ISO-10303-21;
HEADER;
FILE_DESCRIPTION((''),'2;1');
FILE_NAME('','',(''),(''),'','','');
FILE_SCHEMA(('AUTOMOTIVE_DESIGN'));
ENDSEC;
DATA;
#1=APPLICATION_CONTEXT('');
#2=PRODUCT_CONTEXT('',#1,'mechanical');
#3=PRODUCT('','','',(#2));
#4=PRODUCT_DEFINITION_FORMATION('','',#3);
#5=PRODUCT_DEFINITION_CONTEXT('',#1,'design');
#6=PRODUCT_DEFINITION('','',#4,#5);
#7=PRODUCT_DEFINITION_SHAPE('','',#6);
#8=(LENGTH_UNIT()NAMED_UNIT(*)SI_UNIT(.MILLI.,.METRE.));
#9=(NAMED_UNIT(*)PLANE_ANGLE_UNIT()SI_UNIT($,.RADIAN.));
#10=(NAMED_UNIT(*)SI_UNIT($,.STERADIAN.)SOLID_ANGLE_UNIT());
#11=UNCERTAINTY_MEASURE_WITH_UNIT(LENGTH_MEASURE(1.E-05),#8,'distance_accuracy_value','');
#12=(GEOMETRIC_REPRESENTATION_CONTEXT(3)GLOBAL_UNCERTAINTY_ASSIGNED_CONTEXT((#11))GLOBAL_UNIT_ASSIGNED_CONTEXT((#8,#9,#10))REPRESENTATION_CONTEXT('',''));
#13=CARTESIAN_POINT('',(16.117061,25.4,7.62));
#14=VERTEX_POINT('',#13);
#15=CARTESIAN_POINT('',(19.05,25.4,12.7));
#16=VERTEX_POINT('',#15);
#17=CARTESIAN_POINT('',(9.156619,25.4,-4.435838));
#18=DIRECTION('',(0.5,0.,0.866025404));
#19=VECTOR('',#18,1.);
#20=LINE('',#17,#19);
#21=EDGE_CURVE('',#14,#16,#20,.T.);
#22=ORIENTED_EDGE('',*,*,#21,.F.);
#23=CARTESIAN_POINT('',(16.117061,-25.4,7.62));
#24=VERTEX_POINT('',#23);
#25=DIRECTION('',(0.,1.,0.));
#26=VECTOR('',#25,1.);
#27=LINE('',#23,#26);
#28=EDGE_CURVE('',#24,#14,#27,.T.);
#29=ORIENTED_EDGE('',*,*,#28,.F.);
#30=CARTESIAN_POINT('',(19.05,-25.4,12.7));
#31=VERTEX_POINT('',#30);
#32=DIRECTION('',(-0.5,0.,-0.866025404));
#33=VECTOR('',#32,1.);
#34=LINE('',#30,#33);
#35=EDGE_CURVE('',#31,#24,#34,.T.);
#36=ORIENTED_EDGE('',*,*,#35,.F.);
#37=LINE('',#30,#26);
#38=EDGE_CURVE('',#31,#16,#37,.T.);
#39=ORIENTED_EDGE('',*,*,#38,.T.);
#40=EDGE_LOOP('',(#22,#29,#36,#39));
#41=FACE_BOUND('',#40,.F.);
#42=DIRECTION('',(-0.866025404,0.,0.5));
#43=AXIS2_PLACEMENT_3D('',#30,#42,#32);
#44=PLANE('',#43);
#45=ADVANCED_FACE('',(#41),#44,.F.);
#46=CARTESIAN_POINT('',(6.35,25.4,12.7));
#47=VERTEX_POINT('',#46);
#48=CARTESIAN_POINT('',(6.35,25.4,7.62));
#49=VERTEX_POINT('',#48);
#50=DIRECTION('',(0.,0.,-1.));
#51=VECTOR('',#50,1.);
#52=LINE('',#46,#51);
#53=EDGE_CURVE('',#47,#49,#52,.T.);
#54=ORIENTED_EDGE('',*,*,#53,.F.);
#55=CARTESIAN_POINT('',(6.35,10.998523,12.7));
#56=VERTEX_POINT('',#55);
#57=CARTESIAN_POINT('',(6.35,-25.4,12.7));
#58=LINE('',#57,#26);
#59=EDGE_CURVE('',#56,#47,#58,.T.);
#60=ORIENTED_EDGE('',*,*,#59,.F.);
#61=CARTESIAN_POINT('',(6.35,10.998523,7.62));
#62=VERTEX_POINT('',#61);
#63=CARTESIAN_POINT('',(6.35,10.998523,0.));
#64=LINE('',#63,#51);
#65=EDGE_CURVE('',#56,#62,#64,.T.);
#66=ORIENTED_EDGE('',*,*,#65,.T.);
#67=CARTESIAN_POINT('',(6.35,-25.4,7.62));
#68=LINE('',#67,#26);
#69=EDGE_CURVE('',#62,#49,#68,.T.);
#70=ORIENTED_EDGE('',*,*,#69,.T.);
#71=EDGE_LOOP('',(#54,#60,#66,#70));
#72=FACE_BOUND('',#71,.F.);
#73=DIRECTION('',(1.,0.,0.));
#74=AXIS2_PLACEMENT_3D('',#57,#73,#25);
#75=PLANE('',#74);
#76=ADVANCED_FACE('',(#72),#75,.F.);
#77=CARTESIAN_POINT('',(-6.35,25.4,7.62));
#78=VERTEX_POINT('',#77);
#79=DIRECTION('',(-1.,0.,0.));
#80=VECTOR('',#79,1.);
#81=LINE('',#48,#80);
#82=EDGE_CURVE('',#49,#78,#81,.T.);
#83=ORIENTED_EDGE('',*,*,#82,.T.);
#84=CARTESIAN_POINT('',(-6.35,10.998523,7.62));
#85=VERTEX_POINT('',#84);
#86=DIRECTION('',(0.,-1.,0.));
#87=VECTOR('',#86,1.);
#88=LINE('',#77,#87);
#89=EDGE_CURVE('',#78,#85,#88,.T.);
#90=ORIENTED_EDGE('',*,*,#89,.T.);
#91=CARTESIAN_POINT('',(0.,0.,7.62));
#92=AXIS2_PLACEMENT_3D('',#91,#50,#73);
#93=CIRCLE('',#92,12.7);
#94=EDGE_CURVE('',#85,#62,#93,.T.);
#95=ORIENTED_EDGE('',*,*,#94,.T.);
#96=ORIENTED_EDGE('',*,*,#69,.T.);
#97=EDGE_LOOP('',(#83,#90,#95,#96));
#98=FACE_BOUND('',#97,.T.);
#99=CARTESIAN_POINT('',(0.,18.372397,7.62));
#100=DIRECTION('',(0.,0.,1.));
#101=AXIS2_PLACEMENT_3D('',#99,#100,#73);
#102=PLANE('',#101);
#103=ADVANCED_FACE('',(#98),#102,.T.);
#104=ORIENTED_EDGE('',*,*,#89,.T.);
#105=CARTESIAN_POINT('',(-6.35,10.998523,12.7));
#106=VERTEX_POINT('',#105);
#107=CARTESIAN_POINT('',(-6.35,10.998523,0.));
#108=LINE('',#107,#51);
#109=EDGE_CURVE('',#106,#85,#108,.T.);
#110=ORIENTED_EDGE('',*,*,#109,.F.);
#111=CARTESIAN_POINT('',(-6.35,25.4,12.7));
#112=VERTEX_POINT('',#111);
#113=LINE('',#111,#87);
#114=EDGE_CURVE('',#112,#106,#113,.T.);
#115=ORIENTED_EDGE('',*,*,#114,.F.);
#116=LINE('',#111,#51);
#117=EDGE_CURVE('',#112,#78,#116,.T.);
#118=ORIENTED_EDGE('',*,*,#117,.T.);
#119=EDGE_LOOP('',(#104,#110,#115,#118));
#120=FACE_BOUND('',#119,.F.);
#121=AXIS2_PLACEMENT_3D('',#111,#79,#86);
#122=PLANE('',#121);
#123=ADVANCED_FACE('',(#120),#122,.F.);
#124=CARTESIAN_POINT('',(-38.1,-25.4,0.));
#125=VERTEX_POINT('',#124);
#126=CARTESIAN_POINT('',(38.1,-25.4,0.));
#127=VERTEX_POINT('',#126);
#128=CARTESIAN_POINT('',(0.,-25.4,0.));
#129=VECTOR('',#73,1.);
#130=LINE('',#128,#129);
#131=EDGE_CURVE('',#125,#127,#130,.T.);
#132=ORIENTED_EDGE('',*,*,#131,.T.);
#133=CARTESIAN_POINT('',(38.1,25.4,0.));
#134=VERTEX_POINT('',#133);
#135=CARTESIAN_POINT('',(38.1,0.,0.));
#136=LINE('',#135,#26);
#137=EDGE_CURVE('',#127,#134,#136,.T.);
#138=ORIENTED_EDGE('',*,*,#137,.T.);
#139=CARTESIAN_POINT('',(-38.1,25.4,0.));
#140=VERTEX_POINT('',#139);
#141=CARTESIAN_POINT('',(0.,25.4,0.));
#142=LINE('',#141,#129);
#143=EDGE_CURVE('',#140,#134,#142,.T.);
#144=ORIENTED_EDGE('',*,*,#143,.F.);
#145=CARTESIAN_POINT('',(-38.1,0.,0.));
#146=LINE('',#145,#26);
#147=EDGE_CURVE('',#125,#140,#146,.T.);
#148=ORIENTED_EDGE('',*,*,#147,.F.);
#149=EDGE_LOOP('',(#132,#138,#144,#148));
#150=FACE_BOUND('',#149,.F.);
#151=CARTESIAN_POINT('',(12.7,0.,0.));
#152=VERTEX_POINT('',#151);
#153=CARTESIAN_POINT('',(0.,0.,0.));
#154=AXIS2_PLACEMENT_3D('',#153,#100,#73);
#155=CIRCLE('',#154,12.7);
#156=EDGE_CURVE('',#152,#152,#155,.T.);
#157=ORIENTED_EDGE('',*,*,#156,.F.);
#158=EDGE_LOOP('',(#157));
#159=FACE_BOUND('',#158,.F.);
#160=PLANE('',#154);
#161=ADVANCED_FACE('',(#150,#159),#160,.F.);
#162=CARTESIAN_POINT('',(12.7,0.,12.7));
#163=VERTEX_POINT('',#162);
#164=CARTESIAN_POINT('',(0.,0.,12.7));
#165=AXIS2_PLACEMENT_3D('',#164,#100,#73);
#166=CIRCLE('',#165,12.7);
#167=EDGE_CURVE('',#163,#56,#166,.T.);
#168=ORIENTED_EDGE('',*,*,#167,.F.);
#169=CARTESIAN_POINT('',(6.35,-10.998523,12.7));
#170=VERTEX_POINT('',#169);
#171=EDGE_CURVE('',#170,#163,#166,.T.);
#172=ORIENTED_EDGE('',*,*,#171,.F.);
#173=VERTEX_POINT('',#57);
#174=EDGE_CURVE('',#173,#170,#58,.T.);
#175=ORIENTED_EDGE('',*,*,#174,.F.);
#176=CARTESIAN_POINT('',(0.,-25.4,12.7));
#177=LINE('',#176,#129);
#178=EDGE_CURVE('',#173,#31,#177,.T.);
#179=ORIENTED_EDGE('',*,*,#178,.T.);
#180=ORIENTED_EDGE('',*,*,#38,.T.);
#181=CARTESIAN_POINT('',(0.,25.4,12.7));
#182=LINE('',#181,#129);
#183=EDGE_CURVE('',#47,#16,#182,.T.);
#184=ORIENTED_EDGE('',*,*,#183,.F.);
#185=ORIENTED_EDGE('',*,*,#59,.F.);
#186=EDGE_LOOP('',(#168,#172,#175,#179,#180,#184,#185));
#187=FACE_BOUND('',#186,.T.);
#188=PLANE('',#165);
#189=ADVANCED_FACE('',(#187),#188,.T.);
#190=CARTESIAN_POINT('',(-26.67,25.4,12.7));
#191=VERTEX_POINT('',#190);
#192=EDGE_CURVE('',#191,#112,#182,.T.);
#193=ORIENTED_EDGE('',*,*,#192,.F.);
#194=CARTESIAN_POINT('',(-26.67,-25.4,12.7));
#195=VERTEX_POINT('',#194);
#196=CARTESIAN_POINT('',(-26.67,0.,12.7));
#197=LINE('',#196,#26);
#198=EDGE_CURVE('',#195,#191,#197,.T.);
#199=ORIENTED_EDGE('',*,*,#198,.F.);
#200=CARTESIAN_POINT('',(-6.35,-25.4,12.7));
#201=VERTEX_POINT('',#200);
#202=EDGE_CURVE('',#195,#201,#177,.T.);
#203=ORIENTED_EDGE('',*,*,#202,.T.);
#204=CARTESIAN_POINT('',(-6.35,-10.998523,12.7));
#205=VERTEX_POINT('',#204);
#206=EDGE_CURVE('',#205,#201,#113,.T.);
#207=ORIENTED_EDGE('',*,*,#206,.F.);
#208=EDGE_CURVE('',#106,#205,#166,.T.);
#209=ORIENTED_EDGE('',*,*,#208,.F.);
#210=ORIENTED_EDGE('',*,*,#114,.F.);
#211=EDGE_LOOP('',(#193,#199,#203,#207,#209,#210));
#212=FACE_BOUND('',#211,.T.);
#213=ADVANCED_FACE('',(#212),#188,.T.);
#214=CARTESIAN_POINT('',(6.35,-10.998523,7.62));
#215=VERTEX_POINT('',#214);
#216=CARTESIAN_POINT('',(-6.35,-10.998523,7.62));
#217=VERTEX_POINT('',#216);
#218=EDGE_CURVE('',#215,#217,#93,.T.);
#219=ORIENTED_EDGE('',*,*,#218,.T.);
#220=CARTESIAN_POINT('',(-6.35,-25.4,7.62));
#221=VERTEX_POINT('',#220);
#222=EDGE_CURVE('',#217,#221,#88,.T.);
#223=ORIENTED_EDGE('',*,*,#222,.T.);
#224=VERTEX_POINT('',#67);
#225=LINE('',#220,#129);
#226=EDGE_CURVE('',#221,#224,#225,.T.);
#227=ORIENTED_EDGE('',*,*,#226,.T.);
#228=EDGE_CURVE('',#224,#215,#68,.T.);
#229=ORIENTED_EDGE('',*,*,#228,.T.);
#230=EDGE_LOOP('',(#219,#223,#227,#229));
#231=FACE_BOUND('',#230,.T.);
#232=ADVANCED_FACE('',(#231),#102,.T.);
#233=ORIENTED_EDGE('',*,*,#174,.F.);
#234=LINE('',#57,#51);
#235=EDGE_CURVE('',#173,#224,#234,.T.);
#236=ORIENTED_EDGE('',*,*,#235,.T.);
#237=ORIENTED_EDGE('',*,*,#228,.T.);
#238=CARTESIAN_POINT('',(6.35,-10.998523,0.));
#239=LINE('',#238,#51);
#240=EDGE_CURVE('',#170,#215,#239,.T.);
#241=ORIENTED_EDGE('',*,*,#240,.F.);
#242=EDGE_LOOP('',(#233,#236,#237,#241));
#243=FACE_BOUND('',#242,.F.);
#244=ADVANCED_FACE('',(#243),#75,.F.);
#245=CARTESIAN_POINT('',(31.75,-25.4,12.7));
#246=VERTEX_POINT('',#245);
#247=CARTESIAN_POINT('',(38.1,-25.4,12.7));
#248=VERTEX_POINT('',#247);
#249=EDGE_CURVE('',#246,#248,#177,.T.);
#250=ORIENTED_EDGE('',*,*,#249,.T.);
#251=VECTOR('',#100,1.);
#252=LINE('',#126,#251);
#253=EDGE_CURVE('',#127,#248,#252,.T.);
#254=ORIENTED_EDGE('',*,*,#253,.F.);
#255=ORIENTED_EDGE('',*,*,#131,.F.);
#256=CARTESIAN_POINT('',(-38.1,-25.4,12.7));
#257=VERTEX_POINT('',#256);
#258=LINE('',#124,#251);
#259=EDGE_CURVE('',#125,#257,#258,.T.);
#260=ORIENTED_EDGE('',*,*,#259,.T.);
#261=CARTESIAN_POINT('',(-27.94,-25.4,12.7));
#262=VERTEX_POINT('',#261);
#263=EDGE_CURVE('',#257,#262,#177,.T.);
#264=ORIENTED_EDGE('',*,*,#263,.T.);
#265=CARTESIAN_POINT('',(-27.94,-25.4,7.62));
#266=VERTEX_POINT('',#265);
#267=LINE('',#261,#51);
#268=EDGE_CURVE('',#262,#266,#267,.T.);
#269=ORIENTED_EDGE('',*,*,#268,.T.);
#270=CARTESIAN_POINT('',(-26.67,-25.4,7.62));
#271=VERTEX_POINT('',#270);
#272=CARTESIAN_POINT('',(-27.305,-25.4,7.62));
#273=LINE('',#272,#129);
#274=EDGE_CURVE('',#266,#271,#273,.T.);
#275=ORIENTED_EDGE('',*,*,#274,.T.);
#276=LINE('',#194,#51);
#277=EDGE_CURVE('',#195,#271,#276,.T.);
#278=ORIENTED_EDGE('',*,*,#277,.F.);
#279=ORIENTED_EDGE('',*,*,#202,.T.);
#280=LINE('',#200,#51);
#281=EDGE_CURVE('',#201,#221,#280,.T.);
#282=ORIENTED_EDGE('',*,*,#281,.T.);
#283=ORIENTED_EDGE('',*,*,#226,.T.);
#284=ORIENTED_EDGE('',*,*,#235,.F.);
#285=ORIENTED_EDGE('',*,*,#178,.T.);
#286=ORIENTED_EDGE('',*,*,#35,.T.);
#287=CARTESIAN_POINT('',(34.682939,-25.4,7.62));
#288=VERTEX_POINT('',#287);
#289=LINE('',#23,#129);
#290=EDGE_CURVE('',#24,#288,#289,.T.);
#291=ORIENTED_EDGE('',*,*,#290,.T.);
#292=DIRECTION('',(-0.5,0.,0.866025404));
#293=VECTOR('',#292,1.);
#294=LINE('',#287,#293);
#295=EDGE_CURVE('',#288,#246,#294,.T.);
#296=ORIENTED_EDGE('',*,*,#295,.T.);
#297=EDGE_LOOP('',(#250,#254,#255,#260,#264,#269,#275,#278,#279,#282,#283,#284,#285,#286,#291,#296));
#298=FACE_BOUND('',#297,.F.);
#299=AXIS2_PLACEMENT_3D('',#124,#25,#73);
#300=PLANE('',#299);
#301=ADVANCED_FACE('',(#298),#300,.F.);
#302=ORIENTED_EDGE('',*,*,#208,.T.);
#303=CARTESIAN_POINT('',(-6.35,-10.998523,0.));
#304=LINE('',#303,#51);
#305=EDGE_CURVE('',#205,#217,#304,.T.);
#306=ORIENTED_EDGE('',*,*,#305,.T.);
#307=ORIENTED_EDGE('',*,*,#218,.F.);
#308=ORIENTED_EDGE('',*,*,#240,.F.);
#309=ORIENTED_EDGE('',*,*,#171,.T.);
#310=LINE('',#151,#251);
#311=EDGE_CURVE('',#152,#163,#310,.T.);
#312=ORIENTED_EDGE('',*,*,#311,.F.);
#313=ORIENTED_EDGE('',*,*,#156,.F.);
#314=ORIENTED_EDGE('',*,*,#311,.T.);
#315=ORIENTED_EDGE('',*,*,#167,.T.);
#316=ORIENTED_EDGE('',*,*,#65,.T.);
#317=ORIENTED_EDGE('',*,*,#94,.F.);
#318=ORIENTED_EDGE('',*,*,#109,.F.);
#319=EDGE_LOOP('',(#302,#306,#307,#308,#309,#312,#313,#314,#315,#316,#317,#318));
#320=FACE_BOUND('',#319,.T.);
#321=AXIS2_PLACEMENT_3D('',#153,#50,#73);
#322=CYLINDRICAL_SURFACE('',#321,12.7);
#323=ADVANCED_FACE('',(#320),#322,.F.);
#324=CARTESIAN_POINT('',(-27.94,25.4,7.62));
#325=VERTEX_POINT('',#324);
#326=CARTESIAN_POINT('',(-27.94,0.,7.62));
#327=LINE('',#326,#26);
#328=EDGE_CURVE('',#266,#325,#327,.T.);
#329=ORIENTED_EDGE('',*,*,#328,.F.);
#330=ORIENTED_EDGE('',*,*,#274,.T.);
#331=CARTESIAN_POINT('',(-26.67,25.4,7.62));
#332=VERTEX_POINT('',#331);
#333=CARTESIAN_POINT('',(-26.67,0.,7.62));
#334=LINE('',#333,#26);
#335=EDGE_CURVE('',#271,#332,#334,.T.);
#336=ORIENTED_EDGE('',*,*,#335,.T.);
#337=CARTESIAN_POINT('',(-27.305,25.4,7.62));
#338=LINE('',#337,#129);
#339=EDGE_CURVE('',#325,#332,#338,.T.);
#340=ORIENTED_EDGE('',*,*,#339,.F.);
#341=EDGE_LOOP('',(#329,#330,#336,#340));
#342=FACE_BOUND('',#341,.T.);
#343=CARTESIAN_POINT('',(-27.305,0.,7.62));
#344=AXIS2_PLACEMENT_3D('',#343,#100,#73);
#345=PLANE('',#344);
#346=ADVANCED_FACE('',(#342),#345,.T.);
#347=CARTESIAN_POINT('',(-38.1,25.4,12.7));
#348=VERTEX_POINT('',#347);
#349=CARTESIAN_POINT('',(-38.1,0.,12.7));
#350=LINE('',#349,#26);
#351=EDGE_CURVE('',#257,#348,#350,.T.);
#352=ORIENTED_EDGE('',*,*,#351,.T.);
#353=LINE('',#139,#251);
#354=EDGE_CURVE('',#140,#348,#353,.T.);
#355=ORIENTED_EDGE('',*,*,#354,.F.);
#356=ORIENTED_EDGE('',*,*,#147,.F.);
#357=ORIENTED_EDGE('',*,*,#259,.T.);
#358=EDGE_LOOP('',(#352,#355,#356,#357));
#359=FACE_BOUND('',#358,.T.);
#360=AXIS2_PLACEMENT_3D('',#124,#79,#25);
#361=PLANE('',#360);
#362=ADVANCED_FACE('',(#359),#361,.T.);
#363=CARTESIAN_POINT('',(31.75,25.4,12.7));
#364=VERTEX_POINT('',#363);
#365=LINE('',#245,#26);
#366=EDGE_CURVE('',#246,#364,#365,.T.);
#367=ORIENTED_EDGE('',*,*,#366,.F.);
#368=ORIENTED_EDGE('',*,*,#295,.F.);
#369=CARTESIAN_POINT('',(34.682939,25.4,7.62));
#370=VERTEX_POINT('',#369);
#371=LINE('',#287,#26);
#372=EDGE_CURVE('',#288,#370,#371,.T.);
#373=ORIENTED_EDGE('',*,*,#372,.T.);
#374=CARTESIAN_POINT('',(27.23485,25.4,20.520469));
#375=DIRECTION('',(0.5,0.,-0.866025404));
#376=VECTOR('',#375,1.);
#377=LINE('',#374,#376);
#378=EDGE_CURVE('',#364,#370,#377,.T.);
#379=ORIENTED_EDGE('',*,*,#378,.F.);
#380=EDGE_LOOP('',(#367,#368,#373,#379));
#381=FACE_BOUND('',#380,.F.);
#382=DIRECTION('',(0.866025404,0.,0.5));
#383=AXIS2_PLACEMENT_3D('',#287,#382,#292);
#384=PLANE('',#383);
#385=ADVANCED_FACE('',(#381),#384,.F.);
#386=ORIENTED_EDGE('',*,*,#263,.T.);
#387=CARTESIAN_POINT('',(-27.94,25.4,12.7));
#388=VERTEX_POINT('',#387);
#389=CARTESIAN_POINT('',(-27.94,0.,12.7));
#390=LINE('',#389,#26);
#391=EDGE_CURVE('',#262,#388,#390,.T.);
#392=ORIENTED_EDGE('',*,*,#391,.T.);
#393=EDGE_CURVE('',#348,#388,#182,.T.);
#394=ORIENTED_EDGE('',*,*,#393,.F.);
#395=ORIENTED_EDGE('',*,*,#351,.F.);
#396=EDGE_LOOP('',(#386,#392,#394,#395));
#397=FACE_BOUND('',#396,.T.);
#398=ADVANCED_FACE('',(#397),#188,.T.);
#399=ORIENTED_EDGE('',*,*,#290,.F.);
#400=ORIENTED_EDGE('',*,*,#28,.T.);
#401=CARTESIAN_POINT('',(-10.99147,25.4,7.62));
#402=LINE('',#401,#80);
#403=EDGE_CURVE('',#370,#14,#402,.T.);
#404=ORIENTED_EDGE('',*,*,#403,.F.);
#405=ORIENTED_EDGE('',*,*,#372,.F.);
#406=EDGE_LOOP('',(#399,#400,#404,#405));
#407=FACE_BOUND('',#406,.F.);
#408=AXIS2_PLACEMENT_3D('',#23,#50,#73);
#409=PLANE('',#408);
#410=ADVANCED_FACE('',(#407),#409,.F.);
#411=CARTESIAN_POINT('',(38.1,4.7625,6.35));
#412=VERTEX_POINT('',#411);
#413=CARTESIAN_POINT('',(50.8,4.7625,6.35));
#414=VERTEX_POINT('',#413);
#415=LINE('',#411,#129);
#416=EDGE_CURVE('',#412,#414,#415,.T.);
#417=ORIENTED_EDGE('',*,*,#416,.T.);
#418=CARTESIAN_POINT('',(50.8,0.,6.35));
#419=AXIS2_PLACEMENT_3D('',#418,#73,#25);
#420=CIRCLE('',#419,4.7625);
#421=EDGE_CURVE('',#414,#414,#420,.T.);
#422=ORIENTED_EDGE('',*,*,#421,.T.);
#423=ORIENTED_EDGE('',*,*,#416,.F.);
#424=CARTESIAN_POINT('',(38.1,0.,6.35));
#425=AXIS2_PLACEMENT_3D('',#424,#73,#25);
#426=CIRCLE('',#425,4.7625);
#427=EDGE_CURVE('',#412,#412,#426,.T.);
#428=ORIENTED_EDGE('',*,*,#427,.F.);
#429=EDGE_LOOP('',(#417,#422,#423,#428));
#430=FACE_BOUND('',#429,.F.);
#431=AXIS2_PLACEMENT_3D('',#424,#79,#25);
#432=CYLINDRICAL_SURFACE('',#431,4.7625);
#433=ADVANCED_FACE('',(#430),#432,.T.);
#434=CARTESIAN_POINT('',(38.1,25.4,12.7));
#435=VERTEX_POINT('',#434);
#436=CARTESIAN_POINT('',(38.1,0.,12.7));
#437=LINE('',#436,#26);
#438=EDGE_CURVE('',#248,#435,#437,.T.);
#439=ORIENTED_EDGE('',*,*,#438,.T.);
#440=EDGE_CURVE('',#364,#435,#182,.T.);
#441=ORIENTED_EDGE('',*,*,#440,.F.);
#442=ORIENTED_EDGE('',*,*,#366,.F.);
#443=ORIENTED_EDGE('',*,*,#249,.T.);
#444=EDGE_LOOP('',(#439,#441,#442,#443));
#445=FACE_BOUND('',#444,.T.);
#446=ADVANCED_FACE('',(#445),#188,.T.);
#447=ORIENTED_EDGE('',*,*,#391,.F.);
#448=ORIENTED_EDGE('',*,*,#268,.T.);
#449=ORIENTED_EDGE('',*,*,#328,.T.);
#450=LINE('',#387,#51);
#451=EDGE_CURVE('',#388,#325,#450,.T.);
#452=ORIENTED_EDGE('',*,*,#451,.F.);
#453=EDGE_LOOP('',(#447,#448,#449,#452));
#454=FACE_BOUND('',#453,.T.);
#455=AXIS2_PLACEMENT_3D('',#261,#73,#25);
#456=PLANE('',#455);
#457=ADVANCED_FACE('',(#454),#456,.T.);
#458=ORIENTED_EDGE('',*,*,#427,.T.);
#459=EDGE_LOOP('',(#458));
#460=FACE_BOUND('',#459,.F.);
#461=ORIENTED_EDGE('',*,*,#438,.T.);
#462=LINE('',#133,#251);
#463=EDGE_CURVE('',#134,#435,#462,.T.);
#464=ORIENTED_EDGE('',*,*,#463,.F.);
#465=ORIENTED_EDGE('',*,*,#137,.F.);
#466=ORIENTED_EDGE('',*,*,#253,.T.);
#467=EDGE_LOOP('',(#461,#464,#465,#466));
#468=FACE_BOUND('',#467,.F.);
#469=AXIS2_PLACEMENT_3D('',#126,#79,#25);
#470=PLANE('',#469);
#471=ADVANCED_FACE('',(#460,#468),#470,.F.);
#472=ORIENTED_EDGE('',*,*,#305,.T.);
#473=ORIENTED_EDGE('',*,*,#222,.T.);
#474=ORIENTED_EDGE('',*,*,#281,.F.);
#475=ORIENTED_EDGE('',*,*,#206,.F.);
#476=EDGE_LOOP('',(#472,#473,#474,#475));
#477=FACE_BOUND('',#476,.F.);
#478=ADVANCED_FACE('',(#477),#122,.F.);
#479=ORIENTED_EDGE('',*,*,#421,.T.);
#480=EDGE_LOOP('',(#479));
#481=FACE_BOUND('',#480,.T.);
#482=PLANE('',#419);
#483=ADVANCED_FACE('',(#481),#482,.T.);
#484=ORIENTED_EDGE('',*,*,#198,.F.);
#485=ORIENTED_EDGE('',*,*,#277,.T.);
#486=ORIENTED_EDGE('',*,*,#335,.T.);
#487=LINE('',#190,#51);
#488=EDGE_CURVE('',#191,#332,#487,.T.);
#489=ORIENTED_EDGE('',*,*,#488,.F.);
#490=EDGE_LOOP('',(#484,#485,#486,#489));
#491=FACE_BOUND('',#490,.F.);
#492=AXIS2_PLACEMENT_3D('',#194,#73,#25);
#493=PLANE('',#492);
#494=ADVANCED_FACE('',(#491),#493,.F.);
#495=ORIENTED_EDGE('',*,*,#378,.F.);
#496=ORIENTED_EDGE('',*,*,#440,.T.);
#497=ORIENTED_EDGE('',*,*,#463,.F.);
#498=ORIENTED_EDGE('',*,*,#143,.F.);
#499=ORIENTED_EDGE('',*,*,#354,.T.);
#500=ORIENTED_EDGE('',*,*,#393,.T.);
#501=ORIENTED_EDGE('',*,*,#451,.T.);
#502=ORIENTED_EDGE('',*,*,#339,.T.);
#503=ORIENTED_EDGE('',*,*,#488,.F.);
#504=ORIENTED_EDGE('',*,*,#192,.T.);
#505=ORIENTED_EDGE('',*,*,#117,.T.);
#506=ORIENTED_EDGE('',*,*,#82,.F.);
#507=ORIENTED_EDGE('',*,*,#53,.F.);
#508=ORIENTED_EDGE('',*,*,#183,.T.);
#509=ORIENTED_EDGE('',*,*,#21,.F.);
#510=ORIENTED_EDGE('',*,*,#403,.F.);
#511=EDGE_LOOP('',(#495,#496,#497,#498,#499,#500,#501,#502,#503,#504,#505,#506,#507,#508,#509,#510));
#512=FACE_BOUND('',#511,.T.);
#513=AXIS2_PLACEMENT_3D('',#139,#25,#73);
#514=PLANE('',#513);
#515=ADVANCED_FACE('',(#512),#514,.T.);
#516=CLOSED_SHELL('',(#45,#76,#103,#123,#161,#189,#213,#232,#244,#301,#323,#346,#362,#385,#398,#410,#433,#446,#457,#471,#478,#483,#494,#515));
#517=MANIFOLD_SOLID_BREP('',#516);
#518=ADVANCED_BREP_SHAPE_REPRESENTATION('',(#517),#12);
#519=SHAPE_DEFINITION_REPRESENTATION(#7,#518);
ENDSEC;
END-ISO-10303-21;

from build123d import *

# Parameters (mm, degrees)
F0_W     = 76.2
F0_H     = 50.8
F0_R     = 12.7
F1_DEPTH = 12.7
F2_W     = 1.27
F2_H     = 50.8
F3_DEPTH = 5.08
F5_DEPTH = 50.801
F6_R     = 4.7625
F7_DEPTH = 12.7


with BuildPart() as f1:
    # F0 (on Top) → F1 (new body)
    with BuildSketch(Plane.XY):
        Rectangle(F0_W, F0_H)
        Circle(F0_R, mode=Mode.SUBTRACT)
    extrude(amount=F1_DEPTH)

    # F2 (on face) → F3 (cut)
    with BuildSketch(Plane.XY.offset(12.7)):
        with Locations((-27.305, 0)):
            Rectangle(F2_W, F2_H)
        with BuildLine():
            Line((6.35, 25.4), (-6.35, 25.4))
            Line((-6.35, 25.4), (-6.35, 10.9985226281))
            ThreePointArc((-6.35, 10.9985226281), (0, 12.7), (6.35, 10.9985226281))
            Line((6.35, 10.9985226281), (6.35, 25.4))
        make_face()
        with BuildLine():
            ThreePointArc((6.35, 10.9985226281), (0, 12.7), (-6.35, 10.9985226281))
            Line((-6.35, 10.9985226281), (-6.35, -10.9985226281))
            ThreePointArc((-6.35, -10.9985226281), (0, -12.7), (6.35, -10.9985226281))
            Line((6.35, -10.9985226281), (6.35, 10.9985226281))
        make_face()
        with BuildLine():
            Line((-6.35, -10.9985226281), (-6.35, -25.4))
            Line((-6.35, -25.4), (6.35, -25.4))
            Line((6.35, -25.4), (6.35, -10.9985226281))
            ThreePointArc((6.35, -10.9985226281), (0, -12.7), (-6.35, -10.9985226281))
        make_face()
    extrude(amount=-F3_DEPTH, mode=Mode.SUBTRACT)

    # F4 (on face) → F5 (cut, through all)
    with BuildSketch(Plane.XZ.offset(25.4)):
        Polygon((31.75, 12.7), (19.05, 12.7), (16.1170606325, 7.62), (34.6829393675, 7.62), align=None)
    extrude(amount=-F5_DEPTH, mode=Mode.SUBTRACT)

    # F6 (on face) → F7 (join)
    with BuildSketch(Plane.YZ.offset(38.1)):
        with Locations((0, 6.35)):
            Circle(F6_R)
    extrude(amount=F7_DEPTH)


solid = f1.part
